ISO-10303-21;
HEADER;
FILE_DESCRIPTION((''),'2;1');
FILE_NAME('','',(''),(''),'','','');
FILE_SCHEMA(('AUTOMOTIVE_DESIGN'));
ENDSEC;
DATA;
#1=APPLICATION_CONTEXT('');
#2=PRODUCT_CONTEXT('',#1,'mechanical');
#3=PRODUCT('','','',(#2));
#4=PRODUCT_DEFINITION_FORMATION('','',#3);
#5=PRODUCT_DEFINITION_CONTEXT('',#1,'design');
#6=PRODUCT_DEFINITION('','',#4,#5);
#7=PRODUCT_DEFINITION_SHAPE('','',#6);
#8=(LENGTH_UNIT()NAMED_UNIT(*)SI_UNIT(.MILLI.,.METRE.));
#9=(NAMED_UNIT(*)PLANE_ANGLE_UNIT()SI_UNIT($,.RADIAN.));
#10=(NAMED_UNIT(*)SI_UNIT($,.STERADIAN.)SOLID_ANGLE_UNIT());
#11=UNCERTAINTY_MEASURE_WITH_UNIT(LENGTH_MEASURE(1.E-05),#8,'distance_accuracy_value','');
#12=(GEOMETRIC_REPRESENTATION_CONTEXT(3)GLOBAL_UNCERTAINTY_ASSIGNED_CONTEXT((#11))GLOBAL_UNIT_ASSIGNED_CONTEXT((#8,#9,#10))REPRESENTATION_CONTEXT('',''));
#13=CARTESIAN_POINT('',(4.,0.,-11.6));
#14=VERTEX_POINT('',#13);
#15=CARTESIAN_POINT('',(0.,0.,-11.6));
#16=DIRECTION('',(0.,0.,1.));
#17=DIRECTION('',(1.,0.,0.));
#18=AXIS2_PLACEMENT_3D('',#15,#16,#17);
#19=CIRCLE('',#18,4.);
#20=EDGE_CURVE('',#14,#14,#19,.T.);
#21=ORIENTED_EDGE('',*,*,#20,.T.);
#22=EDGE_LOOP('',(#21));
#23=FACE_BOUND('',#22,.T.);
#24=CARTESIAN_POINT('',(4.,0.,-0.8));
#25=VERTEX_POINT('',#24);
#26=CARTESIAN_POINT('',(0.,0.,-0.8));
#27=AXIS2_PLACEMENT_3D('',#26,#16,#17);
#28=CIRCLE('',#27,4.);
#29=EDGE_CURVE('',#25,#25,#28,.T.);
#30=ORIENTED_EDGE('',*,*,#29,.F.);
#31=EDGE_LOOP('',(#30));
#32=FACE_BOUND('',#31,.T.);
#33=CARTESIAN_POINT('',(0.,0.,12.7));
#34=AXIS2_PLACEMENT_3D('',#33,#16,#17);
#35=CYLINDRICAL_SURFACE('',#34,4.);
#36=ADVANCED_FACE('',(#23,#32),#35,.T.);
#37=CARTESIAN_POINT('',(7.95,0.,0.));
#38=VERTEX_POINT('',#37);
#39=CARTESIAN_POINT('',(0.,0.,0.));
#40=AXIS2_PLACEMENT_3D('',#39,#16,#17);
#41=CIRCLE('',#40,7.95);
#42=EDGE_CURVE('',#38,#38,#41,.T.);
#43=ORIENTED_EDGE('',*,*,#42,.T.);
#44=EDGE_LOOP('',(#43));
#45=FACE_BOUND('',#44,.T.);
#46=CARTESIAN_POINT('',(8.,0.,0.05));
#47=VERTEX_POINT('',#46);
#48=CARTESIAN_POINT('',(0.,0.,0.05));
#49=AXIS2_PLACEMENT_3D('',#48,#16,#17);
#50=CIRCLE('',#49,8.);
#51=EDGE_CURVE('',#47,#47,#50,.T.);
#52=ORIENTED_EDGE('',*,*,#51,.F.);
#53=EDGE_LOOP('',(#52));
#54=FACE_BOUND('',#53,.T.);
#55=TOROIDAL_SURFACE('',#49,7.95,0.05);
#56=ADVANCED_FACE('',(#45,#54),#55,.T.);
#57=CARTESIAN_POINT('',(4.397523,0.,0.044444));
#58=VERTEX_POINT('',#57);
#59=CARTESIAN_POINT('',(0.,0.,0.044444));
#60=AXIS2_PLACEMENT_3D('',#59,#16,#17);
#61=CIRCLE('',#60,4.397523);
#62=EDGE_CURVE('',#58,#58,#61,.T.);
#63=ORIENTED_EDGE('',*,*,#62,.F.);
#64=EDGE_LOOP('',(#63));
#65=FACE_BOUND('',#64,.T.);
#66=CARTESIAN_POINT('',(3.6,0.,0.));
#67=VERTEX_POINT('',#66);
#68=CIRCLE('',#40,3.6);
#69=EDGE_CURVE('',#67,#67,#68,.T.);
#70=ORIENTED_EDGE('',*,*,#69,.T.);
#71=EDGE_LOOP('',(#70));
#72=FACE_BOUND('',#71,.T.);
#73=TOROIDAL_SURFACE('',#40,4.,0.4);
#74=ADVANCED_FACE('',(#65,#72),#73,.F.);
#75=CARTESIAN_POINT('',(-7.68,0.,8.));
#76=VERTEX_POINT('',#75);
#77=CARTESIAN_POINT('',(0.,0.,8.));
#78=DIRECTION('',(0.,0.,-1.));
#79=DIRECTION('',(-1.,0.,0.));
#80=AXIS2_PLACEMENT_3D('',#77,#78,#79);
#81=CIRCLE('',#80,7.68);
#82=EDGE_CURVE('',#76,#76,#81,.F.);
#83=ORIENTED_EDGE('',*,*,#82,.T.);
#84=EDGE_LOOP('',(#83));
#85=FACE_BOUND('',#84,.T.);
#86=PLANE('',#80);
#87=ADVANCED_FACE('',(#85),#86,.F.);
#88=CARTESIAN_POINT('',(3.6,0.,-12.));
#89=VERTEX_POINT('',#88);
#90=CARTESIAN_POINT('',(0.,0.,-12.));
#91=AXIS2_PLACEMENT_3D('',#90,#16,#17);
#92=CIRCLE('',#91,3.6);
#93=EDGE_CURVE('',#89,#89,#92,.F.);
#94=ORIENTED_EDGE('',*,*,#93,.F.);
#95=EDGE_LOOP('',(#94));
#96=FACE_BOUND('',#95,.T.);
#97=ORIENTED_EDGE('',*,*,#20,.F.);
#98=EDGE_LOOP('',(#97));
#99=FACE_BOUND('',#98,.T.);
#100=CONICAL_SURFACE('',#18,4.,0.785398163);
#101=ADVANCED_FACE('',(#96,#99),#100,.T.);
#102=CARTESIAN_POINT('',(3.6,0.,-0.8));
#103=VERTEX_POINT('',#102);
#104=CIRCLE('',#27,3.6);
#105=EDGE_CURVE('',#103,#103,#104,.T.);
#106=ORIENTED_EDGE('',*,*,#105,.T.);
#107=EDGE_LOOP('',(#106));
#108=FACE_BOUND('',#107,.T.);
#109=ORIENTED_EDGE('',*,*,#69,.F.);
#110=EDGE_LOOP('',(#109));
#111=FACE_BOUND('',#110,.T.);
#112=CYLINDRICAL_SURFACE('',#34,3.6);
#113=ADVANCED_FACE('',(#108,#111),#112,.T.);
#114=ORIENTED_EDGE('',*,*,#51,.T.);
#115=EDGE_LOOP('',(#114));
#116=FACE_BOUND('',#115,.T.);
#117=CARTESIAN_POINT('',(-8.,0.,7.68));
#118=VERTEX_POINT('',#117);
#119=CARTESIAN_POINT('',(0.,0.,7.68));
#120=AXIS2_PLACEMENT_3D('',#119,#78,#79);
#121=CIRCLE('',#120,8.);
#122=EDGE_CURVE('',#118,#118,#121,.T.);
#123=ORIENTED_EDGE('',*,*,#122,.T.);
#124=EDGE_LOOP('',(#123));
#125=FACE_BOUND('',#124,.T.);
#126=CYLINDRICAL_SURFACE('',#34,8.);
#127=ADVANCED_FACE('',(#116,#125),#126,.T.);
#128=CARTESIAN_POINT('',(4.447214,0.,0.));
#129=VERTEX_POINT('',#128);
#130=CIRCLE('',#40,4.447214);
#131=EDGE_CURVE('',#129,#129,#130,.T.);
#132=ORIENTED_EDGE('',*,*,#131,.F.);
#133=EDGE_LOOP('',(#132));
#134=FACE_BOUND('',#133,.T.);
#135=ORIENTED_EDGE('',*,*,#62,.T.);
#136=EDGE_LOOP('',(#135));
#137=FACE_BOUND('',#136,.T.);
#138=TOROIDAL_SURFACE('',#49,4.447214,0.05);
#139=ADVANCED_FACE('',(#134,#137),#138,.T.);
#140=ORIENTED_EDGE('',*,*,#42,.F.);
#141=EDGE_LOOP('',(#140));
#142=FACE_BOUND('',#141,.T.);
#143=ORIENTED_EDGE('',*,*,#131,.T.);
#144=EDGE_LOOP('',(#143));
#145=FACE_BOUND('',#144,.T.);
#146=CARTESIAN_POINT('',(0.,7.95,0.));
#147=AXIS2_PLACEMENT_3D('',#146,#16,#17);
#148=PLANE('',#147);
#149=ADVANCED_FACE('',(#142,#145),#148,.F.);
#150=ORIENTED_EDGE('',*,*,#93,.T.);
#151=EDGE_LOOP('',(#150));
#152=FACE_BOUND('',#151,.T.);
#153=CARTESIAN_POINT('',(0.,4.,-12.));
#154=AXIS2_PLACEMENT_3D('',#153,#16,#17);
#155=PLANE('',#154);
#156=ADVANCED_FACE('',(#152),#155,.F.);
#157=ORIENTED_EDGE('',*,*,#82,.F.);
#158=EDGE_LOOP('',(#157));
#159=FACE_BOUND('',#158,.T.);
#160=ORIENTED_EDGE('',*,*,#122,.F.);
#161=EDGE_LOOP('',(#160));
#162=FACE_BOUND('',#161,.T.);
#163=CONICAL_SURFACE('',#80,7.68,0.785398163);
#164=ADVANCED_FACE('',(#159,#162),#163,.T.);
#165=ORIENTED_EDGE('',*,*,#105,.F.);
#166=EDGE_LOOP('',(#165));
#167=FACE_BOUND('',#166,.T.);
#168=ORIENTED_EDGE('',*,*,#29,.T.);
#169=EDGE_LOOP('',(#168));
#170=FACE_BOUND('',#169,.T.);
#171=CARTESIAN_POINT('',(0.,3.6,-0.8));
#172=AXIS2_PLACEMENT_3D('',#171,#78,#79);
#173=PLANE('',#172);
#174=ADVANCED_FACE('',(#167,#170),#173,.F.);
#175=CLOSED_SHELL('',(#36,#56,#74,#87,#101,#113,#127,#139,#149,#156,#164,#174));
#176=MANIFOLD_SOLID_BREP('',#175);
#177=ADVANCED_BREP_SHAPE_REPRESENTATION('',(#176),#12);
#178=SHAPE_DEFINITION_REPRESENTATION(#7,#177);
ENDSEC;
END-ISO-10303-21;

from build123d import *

# Parameters (mm, degrees)
CHAMFER1_SIZE = 0.32
CHAMFER2_SIZE = 0.4


with BuildPart() as part:
    # Sketch1 → Revolve1 (revolve)
    with BuildSketch(Plane(origin=(0, 0, 0), x_dir=(0, 0, -1), z_dir=(1, 0, 0))):
        with BuildLine():
            Line((-8, 0), (-8, 8))
            Line((-8, 8), (-0.05, 8))
            ThreePointArc((-0.05, 8), (-0.014644661, 7.985355339), (0, 7.95))
            Line((0, 7.95), (0, 4.447213595))
            ThreePointArc((0, 4.447213595), (-0.0127322, 4.413880262), (-0.044444444, 4.397523196))
            ThreePointArc((-0.044444444, 4.397523196), (-0.399380319, 3.977743298), (0, 3.6))
            Line((0, 3.6), (0.8, 3.6))
            Line((0.8, 3.6), (0.8, 4))
            Line((0.8, 4), (12, 4))
            Line((12, 4), (12, 0))
            Line((12, 0), (-8, 0))
        make_face()
    revolve(axis=Axis((0, 0, 12.7), (0, 0, -1)))

    # Chamfer1
    chamfer1_edges = [part.edges().sort_by_distance(p)[0] for p in [
        (0, -8, 8),
    ]]
    chamfer(chamfer1_edges, length=CHAMFER1_SIZE)

    # Chamfer2
    chamfer2_edges = [part.edges().sort_by_distance(p)[0] for p in [
        (0, -4, -12),
    ]]
    chamfer(chamfer2_edges, length=CHAMFER2_SIZE)


solid = part.part
